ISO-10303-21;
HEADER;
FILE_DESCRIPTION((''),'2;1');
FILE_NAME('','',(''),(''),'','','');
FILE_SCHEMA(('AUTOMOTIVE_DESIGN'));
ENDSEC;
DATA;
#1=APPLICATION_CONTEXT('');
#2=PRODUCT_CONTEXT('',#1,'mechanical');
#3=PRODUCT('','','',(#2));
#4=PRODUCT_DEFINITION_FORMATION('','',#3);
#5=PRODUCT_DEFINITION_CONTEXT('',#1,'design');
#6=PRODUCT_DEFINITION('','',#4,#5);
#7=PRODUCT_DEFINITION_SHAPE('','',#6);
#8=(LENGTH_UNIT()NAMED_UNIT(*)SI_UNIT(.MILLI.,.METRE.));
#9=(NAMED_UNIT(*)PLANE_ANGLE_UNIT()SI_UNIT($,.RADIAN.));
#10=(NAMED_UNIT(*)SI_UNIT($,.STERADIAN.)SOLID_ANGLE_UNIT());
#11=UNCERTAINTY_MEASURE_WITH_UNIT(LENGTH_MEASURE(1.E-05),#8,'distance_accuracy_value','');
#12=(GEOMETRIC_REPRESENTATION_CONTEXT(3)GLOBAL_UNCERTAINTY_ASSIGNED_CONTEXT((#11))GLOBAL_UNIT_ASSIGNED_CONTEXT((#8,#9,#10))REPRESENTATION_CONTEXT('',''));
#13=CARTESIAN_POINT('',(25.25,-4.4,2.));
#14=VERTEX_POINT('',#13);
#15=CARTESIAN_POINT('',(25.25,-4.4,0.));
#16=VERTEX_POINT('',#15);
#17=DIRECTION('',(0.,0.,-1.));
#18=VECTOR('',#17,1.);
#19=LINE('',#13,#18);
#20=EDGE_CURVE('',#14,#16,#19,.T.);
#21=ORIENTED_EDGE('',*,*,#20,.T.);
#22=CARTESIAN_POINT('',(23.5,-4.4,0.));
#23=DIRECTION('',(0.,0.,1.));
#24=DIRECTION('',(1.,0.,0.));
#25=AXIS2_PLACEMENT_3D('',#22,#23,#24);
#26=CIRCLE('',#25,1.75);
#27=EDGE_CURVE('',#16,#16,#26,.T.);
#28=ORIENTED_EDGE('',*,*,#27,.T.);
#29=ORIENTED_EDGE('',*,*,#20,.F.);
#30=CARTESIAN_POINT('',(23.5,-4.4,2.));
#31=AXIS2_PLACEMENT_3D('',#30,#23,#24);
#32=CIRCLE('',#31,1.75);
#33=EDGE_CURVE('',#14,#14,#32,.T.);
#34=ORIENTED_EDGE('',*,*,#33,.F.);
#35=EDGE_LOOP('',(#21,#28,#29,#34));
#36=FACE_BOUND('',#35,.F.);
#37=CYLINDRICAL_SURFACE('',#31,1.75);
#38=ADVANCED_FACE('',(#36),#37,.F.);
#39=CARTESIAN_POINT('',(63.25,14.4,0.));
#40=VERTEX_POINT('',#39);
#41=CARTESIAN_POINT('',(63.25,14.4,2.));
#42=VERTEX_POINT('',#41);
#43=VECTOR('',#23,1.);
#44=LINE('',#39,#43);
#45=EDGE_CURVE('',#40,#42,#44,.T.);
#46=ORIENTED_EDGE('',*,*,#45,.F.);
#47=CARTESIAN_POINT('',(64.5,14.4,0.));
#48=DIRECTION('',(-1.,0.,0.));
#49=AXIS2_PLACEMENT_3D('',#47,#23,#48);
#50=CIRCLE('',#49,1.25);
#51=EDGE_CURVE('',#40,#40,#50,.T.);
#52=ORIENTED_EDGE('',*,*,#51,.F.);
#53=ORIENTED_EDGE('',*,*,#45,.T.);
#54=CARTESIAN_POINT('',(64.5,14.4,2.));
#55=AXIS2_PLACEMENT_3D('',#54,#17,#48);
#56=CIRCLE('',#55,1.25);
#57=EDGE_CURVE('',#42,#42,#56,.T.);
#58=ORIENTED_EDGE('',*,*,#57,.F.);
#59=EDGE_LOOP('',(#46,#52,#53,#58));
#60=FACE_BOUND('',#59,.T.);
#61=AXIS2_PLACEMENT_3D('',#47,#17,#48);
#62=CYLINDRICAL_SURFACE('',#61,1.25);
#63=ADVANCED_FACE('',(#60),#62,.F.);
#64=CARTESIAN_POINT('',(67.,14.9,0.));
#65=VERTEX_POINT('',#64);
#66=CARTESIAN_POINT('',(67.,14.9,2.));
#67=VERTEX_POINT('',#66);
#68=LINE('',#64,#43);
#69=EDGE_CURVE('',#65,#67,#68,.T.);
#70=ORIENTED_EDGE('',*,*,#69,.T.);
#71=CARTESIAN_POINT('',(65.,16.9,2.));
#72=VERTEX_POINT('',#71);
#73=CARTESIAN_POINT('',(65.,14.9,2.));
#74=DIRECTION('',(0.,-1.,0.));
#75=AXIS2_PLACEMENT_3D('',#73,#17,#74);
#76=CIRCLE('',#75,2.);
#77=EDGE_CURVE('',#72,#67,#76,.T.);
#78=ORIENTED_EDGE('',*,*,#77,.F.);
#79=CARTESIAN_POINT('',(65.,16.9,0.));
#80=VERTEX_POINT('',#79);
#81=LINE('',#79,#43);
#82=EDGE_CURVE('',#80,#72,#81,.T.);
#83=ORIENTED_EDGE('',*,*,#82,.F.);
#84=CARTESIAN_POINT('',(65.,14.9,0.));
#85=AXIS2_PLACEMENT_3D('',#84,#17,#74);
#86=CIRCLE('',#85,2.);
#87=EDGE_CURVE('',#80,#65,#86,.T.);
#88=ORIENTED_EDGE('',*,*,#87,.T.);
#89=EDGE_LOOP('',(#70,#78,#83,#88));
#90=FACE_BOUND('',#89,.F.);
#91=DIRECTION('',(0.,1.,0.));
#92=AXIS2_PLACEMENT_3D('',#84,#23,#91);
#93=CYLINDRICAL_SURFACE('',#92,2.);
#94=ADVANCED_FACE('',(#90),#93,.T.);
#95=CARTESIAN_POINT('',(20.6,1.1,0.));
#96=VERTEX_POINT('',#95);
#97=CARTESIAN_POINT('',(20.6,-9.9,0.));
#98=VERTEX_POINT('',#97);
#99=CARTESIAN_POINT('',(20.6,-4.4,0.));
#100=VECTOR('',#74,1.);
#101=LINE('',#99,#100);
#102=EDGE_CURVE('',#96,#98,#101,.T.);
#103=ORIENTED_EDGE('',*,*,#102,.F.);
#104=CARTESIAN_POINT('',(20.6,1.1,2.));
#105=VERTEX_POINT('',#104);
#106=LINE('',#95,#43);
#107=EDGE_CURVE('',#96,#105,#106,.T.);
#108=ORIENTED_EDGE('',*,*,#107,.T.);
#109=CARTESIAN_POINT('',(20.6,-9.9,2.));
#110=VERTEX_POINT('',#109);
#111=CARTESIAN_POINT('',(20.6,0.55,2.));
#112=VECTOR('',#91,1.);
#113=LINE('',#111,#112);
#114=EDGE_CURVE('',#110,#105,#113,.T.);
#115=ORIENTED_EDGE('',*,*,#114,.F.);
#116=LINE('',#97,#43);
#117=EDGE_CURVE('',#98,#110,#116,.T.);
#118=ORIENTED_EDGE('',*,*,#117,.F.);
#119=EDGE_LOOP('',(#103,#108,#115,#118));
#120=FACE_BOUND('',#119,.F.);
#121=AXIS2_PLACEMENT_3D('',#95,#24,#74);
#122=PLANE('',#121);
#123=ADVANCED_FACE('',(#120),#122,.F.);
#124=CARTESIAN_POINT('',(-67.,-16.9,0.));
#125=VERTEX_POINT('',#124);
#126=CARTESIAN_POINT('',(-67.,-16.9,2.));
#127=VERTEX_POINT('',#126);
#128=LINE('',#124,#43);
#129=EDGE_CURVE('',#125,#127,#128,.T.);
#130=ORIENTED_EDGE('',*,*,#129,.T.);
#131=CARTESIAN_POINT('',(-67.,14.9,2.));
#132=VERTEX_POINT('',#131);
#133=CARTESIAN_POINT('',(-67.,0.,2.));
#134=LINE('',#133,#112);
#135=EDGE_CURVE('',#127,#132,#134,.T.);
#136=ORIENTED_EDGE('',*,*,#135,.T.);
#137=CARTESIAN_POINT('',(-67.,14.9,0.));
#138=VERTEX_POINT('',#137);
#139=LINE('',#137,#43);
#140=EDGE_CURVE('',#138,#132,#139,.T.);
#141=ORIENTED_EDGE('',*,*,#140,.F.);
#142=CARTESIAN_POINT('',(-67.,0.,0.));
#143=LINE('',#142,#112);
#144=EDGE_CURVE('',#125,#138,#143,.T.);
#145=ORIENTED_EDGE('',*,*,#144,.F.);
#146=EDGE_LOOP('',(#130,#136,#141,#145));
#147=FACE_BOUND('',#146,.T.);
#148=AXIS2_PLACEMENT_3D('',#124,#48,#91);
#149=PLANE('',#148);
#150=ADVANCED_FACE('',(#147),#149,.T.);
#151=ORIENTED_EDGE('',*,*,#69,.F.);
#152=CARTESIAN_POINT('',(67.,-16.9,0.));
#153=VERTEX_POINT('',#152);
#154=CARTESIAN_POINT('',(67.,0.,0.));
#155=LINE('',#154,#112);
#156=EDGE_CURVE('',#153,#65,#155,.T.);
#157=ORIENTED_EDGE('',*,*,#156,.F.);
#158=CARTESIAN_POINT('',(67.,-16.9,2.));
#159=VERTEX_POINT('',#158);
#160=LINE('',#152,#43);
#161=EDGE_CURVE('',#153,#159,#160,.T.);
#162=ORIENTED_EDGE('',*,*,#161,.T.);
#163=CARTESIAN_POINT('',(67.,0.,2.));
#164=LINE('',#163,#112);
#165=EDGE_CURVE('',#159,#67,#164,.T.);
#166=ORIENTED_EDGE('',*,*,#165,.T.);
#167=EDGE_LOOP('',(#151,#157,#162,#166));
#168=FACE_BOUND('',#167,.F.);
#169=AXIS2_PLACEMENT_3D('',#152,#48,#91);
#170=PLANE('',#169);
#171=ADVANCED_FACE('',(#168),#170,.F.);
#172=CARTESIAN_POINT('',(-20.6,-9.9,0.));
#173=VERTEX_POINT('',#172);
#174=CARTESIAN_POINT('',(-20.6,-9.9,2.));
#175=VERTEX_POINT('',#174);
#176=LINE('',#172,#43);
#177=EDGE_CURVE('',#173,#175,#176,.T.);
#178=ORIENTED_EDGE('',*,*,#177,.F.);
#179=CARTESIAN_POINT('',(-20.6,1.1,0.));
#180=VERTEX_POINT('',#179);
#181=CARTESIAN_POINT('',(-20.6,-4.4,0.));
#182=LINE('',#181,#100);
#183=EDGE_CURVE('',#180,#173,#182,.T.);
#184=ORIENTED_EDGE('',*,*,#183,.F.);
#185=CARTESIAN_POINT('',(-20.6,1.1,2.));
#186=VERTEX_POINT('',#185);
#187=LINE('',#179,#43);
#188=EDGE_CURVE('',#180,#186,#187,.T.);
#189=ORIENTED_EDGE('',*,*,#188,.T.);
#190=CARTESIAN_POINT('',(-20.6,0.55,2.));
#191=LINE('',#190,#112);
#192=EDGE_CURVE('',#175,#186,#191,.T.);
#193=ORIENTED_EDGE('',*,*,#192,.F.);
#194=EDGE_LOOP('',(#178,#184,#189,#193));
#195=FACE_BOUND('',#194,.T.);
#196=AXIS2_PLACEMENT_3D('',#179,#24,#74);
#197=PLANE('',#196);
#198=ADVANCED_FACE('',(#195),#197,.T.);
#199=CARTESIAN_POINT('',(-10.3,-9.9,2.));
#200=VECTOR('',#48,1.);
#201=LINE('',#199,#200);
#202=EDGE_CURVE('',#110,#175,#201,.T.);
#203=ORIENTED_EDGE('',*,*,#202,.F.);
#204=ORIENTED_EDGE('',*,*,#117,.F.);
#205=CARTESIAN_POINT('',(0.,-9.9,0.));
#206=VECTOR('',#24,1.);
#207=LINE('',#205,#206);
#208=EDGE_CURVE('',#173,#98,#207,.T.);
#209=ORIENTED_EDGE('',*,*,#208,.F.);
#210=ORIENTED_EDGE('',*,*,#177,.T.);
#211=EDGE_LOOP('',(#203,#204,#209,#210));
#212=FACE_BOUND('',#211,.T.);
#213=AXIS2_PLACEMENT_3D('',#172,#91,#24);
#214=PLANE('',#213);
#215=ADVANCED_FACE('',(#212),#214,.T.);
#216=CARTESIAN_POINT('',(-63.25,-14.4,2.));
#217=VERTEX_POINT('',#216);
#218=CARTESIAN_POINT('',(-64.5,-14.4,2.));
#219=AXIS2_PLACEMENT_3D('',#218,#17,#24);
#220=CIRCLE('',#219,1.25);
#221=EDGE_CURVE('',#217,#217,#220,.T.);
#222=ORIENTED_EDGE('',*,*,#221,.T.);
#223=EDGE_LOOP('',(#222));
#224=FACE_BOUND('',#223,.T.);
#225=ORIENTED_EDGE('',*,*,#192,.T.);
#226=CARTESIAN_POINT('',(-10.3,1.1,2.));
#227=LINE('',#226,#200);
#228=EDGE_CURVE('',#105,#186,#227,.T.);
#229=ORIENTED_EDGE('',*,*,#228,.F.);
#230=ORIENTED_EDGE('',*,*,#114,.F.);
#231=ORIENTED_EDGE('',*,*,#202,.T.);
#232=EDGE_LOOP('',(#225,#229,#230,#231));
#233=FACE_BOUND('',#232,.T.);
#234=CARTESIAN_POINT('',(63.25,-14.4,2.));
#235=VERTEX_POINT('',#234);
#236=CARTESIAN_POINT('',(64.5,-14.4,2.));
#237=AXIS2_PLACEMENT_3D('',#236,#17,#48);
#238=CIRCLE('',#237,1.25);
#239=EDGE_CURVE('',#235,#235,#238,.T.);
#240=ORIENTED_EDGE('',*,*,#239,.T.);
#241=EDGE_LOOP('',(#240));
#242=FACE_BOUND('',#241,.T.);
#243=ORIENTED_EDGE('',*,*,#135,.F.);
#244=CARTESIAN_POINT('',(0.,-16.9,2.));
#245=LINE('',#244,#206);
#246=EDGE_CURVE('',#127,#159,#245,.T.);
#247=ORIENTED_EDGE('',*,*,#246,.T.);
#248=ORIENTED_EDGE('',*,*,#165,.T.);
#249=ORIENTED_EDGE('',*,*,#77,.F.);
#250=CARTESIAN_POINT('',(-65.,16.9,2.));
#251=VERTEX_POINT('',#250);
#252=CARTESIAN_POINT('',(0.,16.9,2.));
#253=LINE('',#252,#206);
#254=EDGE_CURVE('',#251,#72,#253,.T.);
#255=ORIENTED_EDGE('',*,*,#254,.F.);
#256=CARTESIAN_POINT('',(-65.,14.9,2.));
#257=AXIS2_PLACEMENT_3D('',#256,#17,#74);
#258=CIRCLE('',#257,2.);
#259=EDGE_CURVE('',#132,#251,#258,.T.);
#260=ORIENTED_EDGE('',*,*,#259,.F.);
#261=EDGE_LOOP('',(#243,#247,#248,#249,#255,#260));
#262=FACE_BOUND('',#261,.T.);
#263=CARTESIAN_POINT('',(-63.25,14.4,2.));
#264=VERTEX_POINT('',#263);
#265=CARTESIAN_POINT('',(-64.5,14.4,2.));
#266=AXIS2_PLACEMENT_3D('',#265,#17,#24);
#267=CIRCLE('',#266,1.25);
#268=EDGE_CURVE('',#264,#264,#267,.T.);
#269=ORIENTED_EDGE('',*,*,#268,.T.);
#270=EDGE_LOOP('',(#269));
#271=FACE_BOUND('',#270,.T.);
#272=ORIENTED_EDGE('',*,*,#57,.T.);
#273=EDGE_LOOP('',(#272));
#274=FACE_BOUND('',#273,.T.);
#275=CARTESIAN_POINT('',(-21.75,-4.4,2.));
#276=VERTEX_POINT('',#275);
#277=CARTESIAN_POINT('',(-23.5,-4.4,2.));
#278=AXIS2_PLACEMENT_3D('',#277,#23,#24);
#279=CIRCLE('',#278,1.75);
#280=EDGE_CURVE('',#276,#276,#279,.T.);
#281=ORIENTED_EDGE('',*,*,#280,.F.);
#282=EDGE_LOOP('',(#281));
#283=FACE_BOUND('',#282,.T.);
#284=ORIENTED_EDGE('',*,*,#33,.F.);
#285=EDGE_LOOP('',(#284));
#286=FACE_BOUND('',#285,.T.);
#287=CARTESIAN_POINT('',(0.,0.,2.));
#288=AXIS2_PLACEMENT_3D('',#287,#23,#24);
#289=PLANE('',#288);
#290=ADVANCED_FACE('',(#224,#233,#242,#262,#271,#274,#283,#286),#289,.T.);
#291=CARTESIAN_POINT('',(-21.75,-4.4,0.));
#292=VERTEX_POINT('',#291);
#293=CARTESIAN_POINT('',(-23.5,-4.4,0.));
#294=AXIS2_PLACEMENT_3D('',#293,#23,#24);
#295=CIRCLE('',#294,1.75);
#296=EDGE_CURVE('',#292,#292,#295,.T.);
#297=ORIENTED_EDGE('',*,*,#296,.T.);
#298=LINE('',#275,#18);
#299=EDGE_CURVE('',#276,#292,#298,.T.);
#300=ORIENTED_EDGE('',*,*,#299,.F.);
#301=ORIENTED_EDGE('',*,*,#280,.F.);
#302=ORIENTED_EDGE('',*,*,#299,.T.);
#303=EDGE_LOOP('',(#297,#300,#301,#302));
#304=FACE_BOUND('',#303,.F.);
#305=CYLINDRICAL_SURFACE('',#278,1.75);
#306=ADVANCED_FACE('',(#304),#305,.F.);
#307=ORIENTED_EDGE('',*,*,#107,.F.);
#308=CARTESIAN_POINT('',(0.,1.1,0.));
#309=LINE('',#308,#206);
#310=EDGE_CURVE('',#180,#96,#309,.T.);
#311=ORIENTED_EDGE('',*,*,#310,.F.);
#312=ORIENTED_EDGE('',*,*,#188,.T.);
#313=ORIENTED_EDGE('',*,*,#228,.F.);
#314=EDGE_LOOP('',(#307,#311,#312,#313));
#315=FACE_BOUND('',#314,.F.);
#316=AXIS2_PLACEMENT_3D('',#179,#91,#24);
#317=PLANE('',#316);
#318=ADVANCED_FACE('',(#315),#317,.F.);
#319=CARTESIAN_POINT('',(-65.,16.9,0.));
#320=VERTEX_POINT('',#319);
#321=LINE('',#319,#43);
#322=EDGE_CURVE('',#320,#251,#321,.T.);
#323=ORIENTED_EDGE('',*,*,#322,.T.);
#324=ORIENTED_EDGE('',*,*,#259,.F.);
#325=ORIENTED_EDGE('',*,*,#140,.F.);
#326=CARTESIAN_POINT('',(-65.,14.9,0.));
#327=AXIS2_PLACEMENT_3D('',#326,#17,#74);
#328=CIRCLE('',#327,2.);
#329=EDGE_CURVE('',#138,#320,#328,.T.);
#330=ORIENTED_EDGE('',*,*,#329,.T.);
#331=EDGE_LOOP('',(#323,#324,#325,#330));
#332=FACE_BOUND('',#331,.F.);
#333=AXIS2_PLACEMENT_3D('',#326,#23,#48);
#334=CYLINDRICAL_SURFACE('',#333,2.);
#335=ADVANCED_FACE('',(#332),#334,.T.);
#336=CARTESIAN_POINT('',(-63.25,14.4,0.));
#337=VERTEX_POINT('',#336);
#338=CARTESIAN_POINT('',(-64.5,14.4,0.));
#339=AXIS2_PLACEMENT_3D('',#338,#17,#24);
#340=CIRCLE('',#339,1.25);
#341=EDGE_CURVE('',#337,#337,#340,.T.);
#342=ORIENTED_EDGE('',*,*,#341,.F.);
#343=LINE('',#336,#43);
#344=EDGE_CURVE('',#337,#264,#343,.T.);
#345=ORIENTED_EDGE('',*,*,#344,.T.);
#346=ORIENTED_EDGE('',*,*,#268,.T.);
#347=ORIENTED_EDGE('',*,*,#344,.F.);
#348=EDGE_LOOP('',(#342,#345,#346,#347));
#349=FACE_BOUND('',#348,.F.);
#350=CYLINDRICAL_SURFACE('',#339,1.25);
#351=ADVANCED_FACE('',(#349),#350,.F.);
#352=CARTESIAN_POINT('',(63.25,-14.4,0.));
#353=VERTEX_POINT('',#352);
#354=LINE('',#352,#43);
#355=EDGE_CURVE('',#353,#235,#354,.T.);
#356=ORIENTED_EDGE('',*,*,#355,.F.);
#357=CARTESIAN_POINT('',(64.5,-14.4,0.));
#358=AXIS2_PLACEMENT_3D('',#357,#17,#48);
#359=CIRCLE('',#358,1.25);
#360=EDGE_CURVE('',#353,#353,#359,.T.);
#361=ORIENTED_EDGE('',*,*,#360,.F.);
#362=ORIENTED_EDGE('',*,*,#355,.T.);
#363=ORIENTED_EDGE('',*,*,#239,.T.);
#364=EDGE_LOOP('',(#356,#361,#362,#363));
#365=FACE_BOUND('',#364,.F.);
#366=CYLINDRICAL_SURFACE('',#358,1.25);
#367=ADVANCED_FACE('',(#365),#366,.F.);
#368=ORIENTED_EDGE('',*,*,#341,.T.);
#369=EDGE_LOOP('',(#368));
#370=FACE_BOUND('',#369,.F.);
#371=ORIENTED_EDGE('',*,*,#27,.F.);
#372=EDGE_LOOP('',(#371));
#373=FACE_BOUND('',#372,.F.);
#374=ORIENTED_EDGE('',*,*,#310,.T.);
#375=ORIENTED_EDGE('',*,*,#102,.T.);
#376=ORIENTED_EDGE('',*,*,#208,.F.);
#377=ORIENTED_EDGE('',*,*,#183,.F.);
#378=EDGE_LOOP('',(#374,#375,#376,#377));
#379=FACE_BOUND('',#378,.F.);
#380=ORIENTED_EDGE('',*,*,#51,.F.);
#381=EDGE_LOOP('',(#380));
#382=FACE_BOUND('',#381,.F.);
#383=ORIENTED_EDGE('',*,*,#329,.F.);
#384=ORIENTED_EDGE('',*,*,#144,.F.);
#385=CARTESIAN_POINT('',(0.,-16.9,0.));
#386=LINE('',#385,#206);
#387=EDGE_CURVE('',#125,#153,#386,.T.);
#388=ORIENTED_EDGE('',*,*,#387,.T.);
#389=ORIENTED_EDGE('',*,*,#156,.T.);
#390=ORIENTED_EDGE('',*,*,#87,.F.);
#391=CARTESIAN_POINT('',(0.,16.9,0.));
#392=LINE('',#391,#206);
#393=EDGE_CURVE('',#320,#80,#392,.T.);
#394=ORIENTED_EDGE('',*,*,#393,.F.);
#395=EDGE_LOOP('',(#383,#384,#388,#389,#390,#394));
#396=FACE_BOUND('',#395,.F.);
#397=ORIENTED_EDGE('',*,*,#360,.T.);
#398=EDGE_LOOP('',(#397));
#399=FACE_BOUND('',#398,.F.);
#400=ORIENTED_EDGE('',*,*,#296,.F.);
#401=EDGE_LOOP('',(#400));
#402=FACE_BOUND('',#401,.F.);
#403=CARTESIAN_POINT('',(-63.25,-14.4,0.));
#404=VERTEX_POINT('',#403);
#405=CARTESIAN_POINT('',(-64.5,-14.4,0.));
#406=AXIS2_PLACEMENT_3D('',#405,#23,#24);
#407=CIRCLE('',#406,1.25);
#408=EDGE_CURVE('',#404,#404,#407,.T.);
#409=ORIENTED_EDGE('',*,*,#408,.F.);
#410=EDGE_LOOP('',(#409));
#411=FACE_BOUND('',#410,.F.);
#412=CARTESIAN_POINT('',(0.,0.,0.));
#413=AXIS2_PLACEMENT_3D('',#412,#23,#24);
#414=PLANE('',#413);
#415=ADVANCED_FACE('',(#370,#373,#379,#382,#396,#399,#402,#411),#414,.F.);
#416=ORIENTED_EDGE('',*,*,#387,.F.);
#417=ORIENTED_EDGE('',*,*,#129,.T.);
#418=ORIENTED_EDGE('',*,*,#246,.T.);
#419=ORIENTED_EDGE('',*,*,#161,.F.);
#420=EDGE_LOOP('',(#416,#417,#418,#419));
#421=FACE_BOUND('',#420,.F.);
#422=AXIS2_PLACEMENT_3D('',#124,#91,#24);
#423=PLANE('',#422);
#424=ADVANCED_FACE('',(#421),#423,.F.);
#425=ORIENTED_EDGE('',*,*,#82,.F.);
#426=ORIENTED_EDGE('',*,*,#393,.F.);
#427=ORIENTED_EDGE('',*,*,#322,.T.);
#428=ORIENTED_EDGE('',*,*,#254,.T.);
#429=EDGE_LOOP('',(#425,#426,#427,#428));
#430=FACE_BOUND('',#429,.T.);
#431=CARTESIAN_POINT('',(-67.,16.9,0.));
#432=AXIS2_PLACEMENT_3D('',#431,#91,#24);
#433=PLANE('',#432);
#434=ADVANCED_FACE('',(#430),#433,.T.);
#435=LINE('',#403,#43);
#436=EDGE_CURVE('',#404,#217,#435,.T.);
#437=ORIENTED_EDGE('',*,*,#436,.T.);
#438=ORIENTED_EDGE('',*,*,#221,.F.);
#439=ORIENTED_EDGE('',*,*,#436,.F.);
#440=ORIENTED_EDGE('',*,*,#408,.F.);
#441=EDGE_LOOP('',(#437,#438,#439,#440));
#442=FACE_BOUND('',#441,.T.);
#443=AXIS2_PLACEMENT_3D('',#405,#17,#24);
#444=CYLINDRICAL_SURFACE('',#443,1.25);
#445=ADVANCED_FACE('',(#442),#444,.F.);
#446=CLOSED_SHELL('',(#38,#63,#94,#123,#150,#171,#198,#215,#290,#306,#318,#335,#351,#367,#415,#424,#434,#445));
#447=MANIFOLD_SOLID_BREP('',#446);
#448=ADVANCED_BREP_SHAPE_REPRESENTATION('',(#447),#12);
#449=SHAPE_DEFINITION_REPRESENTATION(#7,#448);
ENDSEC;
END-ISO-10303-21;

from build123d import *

# Parameters (mm, degrees)
SKETCH_W           = 134
SKETCH_H           = 33.8
PAD_DEPTH          = 2
SKETCH001_R        = 1.75
POCKET_DEPTH       = 2.001
FILLET_R           = 2
SKETCH002_R        = 1.25
POCKET001_DEPTH    = 278.424154
POLARPATTERN_COUNT = 2
SKETCH003_W        = 41.2
SKETCH003_H        = 11
POCKET002_DEPTH    = 5


with BuildPart() as part:
    # Sketch → Pad (new body)
    with BuildSketch(Plane.XY):
        Rectangle(SKETCH_W, SKETCH_H)
    extrude(amount=PAD_DEPTH)

    # Sketch001 (on Face6 of Pad) → Pocket (cut, through all)
    with BuildSketch(Plane.XY.offset(2)):
        with Locations((-23.5, -4.4)):
            Circle(SKETCH001_R)
        with Locations((23.5, -4.4)):
            Circle(SKETCH001_R)
    extrude(amount=-POCKET_DEPTH, mode=Mode.SUBTRACT)

    # Fillet
    fillet_edges = [part.edges().sort_by_distance(p)[0] for p in [
        (-67, 16.9, 1),
        (67, 16.9, 1),
    ]]
    fillet(fillet_edges, radius=FILLET_R)

    # Sketch002 → Pocket001 (cut, through all)
    with BuildSketch(Plane.XY):
        with Locations((-64.5, -14.4)):
            Circle(SKETCH002_R)
    pocket001 = extrude(amount=POCKET001_DEPTH, mode=Mode.SUBTRACT)

    # Mirrored: Pocket001 across YZ
    add(pocket001.mirror(Plane.YZ), mode=Mode.SUBTRACT)

    # Mirrored001: Pocket001 across XZ
    add(pocket001.mirror(Plane.XZ), mode=Mode.SUBTRACT)

    # PolarPattern: Pocket001 ×2 about axis
    polarpattern_axis = Axis((0, 0, 0), (0, 0, 1))
    for i in range(1, POLARPATTERN_COUNT):
        add(pocket001.rotate(polarpattern_axis, i * 360 / POLARPATTERN_COUNT), mode=Mode.SUBTRACT)

    # Sketch003 (on Face2 of PolarPattern) → Pocket002 (cut)
    with BuildSketch(Plane(origin=(0, 0, 0), x_dir=(1, 0, 0), z_dir=(0, 0, -1))):
        with Locations((0, 4.4)):
            Rectangle(SKETCH003_W, SKETCH003_H)
    extrude(amount=-POCKET002_DEPTH, mode=Mode.SUBTRACT)


solid = part.part
